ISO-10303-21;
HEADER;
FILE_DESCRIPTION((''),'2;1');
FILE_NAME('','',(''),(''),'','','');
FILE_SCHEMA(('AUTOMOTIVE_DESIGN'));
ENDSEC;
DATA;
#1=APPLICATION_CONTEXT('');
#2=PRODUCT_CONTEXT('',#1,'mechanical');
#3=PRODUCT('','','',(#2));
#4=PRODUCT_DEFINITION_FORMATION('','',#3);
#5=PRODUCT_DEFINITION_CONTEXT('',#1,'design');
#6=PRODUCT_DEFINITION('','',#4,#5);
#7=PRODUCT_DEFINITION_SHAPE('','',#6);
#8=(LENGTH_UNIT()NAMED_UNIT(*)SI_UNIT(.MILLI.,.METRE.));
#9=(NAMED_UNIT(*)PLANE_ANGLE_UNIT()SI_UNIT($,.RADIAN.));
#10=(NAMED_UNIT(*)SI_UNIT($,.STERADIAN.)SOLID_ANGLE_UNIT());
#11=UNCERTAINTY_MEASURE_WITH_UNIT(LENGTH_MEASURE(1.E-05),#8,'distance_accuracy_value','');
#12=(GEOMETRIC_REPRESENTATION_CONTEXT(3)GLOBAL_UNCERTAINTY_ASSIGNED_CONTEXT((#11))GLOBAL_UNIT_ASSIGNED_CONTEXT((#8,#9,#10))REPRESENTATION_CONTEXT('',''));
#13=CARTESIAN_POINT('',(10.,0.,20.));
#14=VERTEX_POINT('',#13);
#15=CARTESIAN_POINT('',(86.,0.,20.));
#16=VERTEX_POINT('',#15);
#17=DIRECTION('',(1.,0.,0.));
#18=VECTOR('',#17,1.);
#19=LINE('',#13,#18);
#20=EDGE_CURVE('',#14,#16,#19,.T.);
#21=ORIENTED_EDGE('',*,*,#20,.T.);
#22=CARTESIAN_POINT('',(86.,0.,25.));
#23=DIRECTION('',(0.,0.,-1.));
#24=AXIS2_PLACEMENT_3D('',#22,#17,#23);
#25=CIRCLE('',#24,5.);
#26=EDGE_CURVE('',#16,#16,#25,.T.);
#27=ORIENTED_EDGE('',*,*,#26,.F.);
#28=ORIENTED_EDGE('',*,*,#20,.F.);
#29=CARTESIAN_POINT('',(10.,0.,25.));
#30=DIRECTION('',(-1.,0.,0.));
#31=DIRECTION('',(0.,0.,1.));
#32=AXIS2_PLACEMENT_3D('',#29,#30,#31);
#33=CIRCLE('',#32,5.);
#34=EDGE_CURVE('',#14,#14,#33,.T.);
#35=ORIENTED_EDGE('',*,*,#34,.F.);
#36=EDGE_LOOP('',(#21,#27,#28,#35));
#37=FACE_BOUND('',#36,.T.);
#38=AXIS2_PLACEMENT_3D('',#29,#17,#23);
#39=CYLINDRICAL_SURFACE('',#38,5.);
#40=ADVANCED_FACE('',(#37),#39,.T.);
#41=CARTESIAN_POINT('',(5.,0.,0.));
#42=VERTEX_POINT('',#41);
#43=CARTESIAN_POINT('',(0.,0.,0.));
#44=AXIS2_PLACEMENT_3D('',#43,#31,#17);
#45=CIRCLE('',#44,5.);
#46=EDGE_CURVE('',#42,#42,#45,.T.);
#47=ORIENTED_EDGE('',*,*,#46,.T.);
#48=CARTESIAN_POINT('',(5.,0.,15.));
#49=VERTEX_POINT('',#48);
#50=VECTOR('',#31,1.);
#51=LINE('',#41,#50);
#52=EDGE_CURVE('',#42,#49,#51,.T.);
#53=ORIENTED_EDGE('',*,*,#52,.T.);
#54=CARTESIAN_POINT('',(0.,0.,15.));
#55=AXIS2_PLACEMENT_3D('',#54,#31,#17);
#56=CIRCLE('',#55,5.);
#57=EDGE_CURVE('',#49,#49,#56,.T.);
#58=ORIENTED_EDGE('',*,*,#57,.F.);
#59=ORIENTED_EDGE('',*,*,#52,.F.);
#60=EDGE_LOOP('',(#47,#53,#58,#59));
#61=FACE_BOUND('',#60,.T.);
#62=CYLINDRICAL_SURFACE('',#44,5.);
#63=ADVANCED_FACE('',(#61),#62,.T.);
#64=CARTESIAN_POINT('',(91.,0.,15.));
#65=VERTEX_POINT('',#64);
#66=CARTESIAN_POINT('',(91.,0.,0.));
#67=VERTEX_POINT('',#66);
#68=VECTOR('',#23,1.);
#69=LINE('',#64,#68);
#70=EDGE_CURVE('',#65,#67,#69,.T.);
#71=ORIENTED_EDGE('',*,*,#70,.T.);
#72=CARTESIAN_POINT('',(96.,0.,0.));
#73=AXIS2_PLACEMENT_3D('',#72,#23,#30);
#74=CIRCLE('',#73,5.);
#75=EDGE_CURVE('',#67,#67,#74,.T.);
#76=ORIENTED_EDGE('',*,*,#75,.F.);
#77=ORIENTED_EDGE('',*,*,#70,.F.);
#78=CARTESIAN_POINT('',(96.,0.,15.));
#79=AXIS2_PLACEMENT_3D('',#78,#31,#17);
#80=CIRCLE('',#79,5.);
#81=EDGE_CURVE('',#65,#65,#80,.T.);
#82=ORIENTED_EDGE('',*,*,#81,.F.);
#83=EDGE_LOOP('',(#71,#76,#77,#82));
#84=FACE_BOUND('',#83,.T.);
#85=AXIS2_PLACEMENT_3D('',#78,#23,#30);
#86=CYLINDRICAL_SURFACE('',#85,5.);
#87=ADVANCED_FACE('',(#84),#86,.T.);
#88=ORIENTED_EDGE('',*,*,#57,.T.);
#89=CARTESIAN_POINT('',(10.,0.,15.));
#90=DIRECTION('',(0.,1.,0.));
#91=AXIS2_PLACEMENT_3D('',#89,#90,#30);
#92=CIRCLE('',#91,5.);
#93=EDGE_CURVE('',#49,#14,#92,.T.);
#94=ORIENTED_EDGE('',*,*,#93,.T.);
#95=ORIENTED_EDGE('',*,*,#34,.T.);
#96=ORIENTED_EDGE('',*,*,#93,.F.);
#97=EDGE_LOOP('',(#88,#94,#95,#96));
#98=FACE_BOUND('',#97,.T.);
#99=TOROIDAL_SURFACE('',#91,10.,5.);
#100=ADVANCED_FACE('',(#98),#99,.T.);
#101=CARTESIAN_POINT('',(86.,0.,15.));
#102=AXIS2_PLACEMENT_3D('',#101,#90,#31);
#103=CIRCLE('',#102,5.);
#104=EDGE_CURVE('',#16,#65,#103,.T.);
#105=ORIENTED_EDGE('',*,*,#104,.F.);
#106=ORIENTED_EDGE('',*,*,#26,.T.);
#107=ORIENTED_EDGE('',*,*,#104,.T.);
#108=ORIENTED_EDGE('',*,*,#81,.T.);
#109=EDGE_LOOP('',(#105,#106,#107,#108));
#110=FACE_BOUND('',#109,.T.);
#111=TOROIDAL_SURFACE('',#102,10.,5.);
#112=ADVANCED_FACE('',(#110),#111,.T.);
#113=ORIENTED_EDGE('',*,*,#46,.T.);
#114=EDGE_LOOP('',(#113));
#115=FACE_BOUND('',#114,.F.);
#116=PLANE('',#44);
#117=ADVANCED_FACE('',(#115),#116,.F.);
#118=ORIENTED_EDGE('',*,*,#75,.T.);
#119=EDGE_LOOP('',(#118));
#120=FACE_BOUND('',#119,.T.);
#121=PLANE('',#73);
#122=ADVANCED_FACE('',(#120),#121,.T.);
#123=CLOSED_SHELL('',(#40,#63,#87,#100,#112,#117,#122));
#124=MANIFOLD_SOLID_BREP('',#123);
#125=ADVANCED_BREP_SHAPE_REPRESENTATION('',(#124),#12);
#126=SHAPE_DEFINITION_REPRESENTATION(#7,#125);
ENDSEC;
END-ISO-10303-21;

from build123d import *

# Parameters (mm, degrees)
F1_R = 5


with BuildPart() as f2:
    # F2: sweep along a path in F0
    with BuildLine(Plane.XZ) as f2_path:
        Line((0, 0), (0, 15))
        ThreePointArc((0, 15), (2.9289321881, 22.0710678119), (10, 25))
        Line((10, 25), (86, 25))
        ThreePointArc((86, 25), (93.0710678119, 22.0710678119), (96, 15))
        Line((96, 15), (96, 0))
    # F1 (on Top) → F2 (sweep)
    with BuildSketch(Plane.XY):
        Circle(F1_R)
    sweep(path=f2_path.line)


solid = f2.part
